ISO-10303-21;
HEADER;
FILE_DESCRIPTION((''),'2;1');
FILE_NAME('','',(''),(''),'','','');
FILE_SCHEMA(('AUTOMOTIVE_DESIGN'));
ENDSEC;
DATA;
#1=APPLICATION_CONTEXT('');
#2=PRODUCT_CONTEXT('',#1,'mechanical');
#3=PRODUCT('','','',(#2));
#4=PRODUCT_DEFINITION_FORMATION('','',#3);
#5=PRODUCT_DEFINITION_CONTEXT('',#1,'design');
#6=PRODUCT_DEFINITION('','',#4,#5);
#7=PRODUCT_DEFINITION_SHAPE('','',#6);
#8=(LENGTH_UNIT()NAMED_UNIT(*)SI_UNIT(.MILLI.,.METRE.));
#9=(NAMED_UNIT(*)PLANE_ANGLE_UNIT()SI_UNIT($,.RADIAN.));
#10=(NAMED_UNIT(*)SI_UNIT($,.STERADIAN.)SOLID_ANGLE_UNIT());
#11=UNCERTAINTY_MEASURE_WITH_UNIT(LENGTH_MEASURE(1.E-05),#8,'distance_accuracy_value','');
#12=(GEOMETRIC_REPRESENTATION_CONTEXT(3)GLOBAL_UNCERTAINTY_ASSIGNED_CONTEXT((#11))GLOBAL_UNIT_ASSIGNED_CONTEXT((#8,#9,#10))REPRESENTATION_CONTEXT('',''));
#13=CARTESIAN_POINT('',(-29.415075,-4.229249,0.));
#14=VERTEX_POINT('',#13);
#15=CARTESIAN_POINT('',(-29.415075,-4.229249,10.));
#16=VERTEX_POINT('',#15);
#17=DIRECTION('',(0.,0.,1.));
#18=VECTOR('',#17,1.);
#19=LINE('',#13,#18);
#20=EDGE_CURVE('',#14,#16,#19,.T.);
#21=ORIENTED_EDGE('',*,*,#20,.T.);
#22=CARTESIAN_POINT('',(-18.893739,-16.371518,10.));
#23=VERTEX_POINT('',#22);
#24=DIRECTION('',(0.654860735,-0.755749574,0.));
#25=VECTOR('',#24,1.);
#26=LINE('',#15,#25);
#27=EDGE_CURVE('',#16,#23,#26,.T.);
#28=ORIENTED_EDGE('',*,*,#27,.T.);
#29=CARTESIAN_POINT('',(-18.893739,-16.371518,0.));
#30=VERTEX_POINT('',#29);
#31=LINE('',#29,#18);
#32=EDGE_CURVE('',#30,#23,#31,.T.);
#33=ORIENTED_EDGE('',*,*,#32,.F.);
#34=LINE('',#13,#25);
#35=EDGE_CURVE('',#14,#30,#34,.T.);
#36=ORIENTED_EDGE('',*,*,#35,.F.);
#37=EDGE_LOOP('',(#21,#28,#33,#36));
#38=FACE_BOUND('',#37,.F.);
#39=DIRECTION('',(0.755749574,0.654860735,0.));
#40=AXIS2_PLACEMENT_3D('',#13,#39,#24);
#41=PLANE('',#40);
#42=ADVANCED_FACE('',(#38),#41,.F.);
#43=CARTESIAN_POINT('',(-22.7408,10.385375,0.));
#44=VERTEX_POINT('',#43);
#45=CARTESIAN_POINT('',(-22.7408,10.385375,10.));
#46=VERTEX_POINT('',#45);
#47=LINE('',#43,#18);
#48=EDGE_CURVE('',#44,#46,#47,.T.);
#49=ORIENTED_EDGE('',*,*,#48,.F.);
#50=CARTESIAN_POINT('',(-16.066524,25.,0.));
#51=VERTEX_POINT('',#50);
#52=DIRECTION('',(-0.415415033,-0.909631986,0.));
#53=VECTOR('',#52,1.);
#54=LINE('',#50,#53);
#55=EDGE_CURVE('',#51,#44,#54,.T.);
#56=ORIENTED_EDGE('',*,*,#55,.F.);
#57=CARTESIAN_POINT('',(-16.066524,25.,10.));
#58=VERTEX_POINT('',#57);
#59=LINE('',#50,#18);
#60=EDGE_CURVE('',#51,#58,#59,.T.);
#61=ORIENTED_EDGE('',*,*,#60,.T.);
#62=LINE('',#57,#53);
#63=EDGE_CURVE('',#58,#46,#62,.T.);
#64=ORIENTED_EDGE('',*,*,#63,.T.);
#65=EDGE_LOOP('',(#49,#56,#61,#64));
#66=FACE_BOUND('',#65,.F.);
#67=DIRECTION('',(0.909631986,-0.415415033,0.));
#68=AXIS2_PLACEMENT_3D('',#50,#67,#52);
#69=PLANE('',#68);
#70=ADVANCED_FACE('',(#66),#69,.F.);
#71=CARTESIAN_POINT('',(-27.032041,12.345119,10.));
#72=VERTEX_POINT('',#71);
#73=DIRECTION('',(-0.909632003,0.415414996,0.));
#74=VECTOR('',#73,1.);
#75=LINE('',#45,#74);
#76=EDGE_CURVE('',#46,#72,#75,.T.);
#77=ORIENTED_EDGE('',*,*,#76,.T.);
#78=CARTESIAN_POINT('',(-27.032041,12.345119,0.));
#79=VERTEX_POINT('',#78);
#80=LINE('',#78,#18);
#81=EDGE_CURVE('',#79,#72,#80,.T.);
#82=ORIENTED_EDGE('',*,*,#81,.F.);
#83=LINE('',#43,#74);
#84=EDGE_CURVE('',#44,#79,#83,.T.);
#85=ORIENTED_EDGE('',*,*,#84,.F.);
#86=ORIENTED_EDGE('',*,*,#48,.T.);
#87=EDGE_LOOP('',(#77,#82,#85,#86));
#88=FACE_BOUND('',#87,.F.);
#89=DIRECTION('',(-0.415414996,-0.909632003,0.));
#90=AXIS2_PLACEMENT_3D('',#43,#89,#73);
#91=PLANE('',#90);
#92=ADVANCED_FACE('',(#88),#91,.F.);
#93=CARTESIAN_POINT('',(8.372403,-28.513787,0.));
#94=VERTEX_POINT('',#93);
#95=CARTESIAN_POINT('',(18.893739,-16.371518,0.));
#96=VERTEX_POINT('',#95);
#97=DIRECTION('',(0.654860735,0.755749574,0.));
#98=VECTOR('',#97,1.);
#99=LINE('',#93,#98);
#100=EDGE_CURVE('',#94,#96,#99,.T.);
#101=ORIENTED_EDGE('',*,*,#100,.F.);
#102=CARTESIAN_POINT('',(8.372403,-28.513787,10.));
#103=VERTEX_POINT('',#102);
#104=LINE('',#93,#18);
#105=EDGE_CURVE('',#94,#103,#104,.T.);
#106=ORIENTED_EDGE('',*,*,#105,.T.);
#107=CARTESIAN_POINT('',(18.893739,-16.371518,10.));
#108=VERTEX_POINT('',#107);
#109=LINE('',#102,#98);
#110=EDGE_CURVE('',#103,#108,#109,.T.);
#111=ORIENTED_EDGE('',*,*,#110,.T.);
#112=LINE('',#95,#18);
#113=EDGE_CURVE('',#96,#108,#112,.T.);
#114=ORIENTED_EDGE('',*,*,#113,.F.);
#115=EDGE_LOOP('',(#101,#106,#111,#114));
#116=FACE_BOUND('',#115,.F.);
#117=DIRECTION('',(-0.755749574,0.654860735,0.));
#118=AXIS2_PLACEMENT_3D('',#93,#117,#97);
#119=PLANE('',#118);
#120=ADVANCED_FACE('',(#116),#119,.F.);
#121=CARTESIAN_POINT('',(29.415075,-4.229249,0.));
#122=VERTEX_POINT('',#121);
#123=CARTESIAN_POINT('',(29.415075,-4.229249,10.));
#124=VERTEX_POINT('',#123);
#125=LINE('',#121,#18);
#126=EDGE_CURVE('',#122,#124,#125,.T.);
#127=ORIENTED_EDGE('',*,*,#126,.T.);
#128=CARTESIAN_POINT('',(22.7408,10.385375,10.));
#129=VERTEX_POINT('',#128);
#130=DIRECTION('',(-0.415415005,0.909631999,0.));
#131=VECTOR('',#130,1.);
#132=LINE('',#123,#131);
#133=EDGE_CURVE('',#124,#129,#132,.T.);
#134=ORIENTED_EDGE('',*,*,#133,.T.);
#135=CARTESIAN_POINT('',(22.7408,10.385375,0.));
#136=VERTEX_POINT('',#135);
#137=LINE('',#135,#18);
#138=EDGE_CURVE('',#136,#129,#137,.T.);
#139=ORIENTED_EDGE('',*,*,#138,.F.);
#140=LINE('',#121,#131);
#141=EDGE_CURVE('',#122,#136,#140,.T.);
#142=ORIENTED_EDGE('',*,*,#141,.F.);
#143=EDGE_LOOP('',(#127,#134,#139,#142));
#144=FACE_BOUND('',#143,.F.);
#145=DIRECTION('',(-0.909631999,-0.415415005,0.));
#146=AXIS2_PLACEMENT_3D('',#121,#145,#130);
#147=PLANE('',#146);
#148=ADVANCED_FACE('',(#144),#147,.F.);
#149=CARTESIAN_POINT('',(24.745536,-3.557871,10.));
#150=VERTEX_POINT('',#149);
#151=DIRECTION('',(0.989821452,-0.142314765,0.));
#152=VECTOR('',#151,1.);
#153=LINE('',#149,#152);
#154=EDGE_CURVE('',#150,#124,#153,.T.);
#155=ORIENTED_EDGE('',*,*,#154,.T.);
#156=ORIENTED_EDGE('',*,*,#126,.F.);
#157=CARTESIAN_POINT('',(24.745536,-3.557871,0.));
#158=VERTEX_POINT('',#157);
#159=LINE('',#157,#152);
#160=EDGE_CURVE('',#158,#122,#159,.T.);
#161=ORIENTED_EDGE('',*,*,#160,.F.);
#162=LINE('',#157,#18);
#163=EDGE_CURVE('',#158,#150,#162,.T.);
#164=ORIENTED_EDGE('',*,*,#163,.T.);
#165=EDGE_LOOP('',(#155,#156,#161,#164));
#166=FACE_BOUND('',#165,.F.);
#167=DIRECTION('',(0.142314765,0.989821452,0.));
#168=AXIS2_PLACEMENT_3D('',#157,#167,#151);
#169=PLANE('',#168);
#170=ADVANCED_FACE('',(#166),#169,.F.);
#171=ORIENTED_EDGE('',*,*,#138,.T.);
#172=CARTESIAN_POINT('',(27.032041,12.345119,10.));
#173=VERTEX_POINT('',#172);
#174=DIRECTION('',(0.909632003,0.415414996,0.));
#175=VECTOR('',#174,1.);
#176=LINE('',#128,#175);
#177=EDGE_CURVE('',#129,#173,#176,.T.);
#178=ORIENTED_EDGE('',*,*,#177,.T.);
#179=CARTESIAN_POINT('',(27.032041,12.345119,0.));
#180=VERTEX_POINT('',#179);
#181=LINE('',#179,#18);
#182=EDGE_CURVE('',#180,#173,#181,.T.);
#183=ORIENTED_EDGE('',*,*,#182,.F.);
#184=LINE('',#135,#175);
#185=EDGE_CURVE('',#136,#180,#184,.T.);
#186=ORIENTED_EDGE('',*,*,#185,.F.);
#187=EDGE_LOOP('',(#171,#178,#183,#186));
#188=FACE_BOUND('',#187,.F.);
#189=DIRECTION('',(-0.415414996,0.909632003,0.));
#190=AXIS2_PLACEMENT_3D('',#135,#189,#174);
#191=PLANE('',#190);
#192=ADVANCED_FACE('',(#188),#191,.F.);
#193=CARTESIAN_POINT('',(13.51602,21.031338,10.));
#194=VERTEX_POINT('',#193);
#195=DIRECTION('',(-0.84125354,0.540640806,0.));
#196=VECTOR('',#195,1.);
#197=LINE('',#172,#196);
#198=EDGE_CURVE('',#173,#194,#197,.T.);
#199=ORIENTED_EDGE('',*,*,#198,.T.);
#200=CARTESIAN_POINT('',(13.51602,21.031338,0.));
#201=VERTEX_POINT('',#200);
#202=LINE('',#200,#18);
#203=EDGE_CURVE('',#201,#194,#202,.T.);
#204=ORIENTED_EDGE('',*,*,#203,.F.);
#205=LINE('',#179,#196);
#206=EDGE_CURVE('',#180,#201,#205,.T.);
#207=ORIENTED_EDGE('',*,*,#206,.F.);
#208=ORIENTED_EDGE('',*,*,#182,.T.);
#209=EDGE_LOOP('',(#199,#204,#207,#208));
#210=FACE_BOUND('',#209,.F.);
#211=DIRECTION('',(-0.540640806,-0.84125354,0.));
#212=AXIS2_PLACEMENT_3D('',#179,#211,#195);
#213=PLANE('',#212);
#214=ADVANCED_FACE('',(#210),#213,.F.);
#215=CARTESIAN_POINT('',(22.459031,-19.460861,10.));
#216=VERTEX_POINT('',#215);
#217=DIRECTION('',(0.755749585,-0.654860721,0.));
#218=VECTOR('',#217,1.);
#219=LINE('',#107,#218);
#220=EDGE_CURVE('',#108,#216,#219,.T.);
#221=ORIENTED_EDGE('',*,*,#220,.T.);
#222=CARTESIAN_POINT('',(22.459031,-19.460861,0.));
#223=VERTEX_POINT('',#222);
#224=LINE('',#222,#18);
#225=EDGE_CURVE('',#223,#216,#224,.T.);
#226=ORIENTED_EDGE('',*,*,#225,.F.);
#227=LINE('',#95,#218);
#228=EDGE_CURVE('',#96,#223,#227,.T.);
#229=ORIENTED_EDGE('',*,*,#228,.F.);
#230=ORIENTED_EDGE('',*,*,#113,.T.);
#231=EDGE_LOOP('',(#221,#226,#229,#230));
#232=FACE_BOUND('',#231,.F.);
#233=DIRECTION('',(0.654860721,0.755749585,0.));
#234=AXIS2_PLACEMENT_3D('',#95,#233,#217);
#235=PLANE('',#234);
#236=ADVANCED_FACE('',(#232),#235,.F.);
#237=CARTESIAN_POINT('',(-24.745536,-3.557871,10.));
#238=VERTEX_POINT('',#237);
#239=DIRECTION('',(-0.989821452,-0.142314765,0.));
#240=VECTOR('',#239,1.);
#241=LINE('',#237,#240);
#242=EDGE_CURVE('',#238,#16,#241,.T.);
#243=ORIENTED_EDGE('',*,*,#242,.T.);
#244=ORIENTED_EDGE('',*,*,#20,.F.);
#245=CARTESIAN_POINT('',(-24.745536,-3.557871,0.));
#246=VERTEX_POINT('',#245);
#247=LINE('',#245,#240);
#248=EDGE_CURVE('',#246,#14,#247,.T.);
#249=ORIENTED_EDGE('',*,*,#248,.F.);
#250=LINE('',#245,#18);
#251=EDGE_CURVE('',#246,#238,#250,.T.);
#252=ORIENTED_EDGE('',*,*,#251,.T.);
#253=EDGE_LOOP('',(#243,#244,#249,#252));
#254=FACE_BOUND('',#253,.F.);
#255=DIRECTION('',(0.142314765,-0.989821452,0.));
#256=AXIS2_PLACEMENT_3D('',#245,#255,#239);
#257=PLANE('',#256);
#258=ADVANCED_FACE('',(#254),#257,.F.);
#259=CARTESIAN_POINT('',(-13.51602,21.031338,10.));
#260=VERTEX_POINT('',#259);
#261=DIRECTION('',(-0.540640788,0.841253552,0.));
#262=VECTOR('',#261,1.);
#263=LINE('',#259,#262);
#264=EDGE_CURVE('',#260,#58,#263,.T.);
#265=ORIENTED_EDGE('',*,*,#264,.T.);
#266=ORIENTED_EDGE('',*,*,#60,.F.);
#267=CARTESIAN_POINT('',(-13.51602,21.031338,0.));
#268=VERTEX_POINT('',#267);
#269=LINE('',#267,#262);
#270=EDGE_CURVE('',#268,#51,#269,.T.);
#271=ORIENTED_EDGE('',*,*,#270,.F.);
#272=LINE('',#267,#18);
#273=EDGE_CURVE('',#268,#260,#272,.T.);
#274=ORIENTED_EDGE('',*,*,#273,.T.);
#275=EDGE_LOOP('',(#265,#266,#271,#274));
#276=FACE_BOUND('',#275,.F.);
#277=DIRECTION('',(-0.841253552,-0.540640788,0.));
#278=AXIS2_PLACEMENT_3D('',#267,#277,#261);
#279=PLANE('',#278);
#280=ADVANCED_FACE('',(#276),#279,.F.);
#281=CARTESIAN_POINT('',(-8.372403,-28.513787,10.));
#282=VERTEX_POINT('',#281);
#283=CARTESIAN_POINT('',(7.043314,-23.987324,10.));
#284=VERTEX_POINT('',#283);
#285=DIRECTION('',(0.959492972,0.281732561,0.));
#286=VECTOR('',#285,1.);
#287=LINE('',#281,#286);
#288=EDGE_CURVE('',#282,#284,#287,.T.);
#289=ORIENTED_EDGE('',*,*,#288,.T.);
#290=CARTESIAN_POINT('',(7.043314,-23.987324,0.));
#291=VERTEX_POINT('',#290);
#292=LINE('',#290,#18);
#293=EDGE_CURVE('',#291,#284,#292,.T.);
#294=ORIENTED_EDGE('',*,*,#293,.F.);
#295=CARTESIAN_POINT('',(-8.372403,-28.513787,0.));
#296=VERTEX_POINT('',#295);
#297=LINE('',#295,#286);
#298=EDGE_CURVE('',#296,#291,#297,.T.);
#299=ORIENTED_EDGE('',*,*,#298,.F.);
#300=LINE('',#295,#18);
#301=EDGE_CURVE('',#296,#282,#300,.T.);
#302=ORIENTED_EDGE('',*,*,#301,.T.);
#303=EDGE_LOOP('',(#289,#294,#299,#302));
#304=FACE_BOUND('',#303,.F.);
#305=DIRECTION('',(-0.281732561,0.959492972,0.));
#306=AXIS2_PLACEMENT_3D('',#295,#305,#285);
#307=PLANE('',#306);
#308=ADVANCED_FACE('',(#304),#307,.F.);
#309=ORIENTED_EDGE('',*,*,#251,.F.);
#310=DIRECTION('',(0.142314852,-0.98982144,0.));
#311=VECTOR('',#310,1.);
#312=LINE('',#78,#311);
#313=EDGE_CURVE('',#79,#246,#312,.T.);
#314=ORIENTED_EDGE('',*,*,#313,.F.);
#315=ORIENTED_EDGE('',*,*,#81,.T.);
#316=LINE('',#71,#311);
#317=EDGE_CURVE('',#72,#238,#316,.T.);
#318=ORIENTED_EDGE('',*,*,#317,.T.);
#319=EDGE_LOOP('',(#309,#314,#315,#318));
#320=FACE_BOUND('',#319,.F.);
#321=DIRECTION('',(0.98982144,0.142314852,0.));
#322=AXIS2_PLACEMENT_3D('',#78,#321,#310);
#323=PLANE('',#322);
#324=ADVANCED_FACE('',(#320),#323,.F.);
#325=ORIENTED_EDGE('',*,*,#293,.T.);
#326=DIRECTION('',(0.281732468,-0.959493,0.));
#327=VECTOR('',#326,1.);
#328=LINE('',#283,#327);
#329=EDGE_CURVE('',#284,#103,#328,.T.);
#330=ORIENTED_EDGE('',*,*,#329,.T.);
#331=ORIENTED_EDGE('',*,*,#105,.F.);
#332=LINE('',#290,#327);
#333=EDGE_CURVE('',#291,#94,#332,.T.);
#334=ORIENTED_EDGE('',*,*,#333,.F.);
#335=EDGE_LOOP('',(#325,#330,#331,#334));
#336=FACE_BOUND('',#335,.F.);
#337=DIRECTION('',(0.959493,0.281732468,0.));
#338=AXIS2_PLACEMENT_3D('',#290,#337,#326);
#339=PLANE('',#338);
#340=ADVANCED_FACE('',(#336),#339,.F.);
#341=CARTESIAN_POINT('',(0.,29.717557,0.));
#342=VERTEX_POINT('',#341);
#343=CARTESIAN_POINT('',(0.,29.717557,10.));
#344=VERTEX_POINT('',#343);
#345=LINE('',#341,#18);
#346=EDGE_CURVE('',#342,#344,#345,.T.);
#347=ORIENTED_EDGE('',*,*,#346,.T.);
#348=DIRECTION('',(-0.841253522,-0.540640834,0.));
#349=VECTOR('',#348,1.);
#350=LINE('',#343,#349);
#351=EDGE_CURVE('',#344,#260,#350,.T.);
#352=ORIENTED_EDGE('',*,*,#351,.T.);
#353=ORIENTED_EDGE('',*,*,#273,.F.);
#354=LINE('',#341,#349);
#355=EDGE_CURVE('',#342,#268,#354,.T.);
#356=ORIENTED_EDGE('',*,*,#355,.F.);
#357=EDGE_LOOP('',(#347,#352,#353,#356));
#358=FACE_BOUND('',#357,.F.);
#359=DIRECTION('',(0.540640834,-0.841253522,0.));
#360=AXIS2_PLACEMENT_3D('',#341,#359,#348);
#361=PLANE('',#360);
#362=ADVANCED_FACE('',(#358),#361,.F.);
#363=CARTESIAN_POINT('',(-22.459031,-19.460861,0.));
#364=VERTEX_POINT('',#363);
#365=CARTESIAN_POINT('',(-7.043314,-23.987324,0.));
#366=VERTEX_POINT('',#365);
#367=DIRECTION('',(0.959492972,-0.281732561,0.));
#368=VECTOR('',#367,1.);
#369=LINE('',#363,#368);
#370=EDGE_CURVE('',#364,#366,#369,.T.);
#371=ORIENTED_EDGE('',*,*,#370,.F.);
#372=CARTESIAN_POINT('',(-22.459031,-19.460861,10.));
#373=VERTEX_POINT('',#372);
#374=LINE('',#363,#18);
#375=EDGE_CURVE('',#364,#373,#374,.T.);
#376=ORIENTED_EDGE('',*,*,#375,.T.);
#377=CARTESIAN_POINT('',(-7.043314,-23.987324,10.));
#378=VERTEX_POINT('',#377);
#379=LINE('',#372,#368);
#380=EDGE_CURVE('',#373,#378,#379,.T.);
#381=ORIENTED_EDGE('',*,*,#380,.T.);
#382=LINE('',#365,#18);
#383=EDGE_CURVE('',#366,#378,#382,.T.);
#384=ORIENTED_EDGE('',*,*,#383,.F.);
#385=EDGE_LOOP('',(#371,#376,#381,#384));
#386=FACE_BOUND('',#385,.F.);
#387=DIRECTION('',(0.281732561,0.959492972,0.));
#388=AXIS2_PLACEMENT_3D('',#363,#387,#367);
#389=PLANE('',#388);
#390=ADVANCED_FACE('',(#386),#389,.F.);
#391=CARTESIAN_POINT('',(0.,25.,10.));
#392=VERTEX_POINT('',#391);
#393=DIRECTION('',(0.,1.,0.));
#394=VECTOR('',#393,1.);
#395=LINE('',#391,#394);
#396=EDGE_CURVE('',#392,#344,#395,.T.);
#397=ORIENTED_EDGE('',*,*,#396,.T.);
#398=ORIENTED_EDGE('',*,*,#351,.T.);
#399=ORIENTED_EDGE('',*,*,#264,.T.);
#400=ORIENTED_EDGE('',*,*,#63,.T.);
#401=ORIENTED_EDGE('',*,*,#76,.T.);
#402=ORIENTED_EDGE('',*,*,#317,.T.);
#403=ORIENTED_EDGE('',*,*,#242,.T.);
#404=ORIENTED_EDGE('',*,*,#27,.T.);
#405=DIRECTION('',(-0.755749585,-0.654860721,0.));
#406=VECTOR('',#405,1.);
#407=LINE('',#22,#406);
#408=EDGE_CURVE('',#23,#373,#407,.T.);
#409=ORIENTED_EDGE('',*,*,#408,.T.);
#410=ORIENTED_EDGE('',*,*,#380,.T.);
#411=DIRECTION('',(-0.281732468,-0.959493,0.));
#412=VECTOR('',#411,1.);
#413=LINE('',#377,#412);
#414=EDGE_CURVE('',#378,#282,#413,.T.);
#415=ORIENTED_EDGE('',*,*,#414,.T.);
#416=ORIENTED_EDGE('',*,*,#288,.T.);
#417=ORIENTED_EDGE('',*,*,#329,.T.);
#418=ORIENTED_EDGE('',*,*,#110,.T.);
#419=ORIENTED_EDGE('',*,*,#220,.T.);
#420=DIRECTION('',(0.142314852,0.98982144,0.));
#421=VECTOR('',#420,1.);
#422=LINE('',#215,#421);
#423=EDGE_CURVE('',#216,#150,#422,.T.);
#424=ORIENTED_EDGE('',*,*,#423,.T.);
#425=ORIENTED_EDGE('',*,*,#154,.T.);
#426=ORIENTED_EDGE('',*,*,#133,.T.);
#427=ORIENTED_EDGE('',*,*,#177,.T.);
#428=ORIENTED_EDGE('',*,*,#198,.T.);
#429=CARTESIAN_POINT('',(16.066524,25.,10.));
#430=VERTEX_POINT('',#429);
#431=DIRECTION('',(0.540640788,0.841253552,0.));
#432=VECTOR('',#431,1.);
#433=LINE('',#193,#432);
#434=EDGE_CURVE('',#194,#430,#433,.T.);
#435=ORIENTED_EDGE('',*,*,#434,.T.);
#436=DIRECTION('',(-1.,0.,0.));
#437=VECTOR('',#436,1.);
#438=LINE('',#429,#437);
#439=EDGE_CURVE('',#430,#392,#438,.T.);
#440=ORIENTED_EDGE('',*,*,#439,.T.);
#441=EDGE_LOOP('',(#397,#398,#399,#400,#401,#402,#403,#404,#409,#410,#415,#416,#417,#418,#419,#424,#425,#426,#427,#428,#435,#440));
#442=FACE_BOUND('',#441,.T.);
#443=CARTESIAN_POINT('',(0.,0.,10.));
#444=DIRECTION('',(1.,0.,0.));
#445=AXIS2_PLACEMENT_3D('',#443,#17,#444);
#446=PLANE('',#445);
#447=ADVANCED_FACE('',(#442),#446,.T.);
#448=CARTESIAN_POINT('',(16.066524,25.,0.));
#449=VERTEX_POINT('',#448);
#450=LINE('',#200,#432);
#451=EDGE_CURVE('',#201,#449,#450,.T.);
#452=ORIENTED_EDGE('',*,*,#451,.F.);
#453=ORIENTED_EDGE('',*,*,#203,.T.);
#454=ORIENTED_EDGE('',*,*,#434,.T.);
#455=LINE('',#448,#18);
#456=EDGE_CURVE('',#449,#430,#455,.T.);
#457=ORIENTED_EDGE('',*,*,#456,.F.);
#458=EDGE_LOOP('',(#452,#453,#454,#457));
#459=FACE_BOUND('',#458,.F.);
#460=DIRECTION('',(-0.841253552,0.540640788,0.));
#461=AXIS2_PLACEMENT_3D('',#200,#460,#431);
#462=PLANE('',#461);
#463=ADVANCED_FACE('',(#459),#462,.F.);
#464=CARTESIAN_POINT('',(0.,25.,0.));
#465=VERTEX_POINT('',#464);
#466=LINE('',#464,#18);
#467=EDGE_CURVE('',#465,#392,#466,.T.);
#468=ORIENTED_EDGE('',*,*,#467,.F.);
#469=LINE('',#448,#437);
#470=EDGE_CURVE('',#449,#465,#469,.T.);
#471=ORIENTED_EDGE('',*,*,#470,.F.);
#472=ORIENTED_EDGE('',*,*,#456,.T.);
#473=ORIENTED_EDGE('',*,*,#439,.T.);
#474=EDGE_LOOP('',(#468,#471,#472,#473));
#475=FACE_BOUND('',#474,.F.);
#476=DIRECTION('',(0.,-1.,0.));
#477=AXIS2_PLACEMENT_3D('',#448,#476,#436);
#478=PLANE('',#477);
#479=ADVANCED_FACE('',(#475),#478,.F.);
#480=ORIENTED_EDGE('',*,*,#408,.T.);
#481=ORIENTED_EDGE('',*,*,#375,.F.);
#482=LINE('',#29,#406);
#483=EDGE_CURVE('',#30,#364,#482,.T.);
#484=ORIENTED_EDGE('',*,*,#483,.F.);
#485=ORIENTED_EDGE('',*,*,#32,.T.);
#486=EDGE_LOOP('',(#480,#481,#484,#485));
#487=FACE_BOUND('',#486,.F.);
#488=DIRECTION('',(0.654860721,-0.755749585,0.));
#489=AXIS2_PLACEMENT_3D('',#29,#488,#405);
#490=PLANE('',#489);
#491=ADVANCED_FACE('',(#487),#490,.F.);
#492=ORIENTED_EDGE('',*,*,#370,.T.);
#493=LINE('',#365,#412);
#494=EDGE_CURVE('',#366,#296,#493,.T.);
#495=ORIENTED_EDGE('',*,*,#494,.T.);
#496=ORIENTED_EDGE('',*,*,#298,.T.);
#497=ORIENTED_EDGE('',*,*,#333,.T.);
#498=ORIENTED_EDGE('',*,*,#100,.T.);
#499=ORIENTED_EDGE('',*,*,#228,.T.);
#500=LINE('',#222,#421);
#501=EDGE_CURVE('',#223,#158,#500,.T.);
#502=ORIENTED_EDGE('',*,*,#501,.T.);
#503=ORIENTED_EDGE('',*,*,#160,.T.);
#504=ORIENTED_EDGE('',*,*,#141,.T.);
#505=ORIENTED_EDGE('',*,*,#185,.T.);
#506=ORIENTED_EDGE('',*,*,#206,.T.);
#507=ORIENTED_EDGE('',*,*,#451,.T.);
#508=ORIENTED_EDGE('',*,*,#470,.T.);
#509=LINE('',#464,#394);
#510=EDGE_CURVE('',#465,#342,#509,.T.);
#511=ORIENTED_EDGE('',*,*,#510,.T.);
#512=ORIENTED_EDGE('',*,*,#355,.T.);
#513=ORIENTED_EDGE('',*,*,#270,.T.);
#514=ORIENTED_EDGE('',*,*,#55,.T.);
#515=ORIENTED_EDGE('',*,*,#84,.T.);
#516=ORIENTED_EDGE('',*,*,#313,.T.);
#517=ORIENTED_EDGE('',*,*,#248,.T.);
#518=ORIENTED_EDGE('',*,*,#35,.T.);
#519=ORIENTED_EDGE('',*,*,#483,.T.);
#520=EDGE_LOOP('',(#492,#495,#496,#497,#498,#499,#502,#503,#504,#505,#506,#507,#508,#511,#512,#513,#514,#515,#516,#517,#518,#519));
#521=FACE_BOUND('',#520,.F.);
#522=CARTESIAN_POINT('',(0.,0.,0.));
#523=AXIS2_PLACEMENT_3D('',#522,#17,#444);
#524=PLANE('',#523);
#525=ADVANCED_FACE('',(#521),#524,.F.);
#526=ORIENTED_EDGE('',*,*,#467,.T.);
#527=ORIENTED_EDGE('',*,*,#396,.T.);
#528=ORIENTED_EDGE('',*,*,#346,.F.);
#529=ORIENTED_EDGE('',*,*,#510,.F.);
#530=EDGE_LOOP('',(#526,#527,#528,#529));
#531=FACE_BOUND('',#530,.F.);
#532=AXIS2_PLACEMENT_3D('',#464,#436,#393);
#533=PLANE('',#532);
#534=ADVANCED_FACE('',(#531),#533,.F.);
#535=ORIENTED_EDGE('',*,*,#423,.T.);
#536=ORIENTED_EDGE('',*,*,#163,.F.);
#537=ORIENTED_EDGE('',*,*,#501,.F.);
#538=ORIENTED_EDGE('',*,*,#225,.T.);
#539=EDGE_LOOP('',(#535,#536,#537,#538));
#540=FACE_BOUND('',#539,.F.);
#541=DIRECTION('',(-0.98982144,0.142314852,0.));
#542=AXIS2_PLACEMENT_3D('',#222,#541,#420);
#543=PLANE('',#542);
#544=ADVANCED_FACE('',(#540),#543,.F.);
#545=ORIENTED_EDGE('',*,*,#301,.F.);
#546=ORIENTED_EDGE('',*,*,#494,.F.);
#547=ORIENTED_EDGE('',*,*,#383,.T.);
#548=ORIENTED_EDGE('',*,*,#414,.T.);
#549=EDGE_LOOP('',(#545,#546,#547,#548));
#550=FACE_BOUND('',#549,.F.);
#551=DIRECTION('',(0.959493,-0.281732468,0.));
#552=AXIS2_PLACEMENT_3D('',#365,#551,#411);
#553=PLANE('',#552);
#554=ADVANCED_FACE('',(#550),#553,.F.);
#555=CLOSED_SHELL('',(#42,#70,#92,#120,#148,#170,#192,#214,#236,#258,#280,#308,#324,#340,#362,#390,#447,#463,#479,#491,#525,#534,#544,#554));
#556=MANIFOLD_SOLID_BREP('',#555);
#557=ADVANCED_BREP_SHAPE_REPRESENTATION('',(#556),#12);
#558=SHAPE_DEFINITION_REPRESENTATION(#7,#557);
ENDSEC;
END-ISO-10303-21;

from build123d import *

# Parameters (mm, degrees)
F1_DEPTH = 10


with BuildPart() as f1:
    # F0 (on Top) → F1 (new body)
    with BuildSketch(Plane.XY):
        Polygon((22.7408, 10.385375), (27.032041, 12.345119), (13.51602, 21.031338), (16.066524, 25), (0, 25), (0, 29.717557), (-13.51602, 21.031338), (-16.066524, 25), (-22.7408, 10.385375), (-27.032041, 12.345119), (-24.745536, -3.557871), (-29.415075, -4.229249), (-18.893739, -16.371518), (-22.459031, -19.460861), (-7.043314, -23.987324), (-8.372403, -28.513787), (7.043314, -23.987324), (8.372403, -28.513787), (18.893739, -16.371518), (22.459031, -19.460861), (24.745536, -3.557871), (29.415075, -4.229249), align=None)
    extrude(amount=F1_DEPTH)


solid = f1.part
